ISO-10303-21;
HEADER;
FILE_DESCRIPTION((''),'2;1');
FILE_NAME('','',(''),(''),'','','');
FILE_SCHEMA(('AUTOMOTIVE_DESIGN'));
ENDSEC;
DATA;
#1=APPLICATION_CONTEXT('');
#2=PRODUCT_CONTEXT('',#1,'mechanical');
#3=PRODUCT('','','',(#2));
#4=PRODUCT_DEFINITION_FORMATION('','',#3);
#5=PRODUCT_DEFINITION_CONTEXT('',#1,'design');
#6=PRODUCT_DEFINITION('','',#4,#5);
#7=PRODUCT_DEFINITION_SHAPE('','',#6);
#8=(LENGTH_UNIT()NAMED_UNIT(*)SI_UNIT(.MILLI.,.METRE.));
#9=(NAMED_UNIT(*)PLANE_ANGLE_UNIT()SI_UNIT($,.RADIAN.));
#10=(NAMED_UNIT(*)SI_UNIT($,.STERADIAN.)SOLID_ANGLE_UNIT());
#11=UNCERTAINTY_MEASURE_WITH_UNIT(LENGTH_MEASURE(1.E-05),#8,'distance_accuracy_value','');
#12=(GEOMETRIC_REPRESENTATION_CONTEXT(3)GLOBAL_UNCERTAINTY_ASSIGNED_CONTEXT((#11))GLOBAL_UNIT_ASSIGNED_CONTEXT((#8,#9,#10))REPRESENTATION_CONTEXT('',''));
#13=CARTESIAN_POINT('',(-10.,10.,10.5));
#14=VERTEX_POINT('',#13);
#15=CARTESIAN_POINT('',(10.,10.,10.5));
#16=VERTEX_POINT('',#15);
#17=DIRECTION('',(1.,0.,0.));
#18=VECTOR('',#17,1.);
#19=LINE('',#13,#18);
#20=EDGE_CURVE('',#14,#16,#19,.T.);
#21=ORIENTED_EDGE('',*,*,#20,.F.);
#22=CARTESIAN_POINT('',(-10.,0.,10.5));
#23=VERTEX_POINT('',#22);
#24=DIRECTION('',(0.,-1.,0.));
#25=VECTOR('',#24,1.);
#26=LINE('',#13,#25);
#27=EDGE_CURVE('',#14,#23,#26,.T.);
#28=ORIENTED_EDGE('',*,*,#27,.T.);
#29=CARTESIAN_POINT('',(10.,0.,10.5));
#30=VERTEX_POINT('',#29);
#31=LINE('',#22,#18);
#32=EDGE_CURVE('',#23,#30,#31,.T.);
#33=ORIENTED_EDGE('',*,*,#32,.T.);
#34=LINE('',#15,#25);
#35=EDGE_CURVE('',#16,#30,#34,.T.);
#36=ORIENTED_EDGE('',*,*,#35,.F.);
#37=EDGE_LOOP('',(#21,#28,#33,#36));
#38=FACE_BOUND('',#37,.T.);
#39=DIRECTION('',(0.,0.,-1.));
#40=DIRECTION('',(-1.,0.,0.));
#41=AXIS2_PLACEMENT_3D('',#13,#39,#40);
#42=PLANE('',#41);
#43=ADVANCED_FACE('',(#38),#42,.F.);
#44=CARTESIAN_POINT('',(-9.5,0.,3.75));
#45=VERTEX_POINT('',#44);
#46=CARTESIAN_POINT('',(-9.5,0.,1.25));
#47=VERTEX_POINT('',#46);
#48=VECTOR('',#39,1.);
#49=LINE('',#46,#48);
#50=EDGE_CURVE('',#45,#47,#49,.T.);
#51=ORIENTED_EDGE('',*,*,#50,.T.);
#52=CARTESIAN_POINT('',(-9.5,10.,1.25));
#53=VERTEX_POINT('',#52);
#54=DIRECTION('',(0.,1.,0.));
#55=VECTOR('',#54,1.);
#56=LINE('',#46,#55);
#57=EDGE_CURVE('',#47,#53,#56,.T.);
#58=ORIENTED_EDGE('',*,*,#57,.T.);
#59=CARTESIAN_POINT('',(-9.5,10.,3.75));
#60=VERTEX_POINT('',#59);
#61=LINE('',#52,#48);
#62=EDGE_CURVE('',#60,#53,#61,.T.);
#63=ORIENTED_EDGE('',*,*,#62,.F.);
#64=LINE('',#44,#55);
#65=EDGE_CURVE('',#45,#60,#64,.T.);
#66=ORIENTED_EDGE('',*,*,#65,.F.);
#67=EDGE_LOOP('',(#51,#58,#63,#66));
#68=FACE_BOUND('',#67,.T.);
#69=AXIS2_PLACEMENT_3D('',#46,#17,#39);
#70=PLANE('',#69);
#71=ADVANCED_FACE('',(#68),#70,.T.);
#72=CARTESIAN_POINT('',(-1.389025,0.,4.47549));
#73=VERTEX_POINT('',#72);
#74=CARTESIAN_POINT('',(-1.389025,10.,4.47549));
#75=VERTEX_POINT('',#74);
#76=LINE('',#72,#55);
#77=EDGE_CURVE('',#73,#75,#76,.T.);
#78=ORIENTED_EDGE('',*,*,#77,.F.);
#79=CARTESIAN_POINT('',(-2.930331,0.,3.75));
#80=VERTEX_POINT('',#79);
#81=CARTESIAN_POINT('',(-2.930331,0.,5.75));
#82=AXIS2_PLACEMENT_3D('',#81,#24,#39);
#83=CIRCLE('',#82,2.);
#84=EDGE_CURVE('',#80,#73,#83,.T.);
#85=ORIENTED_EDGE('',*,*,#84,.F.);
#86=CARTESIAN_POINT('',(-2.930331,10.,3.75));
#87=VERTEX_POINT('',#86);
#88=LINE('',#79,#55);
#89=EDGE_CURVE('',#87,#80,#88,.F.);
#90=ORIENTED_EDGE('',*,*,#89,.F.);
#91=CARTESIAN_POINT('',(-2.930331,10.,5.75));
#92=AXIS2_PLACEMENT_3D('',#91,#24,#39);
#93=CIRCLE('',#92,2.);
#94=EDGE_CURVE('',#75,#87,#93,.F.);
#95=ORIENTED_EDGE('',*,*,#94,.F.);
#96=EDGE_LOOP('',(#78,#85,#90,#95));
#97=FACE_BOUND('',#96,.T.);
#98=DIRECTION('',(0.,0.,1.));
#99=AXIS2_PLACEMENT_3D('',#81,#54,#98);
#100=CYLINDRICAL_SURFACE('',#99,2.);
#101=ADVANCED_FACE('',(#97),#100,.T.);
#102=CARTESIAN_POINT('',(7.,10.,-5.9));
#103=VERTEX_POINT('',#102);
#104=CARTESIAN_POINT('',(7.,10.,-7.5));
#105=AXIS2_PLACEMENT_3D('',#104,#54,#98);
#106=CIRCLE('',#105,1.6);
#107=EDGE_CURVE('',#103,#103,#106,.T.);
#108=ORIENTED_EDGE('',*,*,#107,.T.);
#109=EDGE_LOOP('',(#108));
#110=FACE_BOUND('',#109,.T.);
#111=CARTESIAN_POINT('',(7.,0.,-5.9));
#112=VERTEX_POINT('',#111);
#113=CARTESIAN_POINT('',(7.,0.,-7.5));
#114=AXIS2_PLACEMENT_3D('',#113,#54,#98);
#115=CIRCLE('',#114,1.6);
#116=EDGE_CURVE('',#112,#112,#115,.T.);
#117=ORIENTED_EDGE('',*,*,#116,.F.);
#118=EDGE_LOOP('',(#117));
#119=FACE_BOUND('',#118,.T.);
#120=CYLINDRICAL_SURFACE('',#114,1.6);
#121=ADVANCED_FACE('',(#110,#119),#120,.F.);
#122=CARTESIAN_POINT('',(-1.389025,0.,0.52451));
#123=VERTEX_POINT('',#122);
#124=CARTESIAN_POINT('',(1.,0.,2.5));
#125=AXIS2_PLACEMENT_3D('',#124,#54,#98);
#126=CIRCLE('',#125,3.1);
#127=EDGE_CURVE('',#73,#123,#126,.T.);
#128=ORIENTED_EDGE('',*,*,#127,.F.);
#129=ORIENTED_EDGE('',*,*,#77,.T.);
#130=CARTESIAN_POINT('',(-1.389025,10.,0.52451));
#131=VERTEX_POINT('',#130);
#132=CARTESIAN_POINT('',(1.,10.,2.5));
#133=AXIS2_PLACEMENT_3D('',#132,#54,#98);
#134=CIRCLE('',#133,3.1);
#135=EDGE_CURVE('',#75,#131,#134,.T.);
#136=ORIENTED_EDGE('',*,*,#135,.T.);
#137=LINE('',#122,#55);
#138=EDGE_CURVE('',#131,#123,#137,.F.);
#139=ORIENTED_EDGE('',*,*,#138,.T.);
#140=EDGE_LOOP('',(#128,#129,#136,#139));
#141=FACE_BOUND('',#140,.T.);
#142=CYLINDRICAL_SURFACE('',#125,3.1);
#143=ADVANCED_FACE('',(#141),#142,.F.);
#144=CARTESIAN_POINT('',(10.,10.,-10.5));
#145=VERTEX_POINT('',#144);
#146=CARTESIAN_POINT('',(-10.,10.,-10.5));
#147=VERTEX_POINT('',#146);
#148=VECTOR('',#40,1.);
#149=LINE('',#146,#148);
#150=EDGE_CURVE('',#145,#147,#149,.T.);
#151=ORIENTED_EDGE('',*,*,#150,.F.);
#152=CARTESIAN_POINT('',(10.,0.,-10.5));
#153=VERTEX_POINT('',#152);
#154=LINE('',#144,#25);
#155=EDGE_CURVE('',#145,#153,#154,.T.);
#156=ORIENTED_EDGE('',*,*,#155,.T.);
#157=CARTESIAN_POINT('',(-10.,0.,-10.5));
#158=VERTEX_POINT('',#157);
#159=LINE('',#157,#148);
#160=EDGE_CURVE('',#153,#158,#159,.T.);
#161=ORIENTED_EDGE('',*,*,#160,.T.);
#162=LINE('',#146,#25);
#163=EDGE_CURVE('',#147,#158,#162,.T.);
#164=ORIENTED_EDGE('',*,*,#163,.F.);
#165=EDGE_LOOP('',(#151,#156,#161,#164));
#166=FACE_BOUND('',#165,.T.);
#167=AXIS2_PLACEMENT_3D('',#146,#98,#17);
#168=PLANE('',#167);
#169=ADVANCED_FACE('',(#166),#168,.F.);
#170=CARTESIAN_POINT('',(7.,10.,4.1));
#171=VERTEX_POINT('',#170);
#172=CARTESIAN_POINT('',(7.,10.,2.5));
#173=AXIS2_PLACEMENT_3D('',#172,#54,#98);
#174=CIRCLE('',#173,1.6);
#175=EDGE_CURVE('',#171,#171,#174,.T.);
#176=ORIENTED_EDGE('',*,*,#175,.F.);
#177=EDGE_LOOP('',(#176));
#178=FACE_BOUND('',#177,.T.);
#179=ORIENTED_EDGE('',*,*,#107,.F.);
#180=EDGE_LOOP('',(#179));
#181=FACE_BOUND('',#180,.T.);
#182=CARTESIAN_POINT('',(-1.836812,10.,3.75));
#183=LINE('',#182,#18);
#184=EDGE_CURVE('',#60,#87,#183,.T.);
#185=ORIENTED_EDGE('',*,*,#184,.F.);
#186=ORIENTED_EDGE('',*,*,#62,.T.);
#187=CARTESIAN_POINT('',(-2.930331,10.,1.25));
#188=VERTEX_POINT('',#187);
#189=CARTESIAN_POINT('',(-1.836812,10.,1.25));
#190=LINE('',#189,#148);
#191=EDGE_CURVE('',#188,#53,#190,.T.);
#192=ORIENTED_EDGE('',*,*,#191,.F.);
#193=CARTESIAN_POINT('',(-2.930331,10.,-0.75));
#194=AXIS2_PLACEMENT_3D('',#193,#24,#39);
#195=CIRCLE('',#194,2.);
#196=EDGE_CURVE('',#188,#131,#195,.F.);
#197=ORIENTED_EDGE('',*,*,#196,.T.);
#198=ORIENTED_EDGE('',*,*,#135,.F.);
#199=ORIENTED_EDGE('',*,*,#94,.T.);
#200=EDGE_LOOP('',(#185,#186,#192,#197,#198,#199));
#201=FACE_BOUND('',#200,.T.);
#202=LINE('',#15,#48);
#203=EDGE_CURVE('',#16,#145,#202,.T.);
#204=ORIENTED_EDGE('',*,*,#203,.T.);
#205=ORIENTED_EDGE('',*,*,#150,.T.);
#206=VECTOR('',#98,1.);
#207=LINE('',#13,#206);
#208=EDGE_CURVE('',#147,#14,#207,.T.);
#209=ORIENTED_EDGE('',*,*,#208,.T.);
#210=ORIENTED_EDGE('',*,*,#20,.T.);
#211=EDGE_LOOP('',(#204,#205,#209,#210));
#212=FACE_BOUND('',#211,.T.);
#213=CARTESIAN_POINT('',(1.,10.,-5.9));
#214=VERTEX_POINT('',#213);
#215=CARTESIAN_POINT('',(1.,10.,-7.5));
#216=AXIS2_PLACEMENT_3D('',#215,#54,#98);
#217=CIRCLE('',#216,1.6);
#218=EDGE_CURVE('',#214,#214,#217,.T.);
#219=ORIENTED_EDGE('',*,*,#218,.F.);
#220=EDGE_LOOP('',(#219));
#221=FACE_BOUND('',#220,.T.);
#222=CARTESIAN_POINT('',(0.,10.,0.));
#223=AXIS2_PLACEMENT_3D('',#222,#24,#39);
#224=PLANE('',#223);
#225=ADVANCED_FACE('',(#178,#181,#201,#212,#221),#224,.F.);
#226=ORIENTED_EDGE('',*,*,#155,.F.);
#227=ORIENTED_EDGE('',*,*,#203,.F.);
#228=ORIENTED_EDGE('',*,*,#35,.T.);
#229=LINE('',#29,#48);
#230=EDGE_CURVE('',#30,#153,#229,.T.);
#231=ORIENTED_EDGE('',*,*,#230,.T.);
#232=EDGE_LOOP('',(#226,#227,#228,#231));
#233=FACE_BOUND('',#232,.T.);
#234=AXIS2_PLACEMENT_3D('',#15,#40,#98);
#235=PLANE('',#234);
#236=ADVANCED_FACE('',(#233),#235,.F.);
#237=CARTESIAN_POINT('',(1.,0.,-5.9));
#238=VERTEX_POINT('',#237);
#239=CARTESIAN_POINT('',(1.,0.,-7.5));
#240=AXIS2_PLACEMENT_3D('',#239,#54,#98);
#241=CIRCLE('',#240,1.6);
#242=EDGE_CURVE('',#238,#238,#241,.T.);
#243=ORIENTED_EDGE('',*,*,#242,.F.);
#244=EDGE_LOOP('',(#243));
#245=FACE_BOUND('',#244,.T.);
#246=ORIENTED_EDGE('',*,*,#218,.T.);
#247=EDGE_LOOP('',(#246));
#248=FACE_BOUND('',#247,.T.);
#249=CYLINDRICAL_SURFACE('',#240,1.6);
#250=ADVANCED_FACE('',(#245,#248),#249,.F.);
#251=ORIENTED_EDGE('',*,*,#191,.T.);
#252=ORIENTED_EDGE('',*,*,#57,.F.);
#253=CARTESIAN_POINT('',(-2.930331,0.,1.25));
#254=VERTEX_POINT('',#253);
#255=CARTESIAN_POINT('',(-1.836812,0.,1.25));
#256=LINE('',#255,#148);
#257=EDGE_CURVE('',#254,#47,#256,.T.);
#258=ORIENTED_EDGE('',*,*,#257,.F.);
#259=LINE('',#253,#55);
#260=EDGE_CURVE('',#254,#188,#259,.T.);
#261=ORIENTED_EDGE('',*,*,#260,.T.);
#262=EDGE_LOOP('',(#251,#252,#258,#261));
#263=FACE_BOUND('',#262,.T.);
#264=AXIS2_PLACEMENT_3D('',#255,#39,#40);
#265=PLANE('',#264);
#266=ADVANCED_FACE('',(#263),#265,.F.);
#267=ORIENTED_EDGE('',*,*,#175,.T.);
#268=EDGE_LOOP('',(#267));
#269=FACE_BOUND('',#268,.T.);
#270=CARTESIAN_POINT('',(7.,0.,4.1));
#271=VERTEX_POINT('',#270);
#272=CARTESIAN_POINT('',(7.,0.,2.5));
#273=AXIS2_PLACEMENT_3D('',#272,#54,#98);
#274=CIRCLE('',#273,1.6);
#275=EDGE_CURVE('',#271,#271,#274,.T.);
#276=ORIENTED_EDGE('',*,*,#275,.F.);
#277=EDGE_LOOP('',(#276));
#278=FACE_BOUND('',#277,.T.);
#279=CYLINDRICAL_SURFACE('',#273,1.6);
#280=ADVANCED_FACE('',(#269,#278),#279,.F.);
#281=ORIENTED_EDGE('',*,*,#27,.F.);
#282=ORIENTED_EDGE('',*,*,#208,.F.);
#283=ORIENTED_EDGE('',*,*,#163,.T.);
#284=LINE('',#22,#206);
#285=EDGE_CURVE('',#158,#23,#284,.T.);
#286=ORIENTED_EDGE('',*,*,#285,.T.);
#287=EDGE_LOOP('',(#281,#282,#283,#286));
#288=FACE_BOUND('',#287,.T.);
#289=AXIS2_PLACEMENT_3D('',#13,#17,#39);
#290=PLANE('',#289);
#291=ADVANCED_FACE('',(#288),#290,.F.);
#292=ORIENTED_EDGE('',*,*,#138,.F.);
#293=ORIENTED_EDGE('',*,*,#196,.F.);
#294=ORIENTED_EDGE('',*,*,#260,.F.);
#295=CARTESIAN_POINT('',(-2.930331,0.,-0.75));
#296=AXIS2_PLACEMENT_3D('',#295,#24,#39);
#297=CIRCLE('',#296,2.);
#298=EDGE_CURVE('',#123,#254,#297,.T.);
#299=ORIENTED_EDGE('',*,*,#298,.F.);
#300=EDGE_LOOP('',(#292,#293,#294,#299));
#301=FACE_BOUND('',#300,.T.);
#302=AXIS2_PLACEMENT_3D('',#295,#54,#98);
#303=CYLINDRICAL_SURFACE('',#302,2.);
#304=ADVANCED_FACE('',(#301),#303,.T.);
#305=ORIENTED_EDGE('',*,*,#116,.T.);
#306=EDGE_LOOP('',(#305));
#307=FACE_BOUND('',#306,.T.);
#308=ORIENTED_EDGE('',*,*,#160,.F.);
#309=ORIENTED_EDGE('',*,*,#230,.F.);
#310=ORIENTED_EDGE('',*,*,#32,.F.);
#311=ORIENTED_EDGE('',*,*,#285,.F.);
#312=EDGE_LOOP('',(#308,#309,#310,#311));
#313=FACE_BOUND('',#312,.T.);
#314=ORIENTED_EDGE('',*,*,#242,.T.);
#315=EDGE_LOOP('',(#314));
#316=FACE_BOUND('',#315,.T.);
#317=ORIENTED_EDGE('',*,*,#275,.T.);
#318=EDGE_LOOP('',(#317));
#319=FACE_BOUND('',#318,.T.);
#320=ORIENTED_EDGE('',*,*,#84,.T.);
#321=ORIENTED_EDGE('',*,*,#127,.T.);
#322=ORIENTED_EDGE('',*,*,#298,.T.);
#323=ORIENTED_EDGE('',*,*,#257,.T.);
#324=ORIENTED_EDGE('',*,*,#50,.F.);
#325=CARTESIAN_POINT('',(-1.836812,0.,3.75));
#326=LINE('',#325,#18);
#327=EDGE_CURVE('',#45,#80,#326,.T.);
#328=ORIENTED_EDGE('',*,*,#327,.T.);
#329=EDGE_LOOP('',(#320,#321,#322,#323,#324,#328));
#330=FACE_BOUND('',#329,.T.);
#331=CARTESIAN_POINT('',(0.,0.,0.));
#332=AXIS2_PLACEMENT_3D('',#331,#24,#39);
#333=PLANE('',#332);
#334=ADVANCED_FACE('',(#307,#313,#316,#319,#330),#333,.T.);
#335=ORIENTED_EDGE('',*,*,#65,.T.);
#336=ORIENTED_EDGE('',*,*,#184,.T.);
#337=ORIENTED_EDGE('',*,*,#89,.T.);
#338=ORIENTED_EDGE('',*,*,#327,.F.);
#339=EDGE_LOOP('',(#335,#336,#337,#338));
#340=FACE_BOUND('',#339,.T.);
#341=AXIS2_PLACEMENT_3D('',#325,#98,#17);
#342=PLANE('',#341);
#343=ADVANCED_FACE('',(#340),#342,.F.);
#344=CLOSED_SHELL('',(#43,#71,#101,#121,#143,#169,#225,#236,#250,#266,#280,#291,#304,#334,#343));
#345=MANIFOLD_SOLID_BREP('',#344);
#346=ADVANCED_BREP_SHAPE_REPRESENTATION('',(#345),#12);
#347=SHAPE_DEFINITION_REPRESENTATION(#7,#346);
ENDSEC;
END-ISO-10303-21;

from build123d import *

# Parameters (mm, degrees)
SKETCH_1_W          = 20
SKETCH_1_H          = 21
EXTRUDE_1_DEPTH     = 10
CUT_EXTRUDE_1_DEPTH = 18.613914954
FILLET_2_R          = 2
SKETCH_3_R          = 1.6
CUT_EXTRUDE_2_DEPTH = 18.613914954
SKETCH_4_W          = 0.5
SKETCH_4_H          = 2.5
EXTRUDE_2_DEPTH     = 10


with BuildPart() as part:
    # 草图1 → 凸台-拉伸1 (new body)
    with BuildSketch(Plane(origin=(0, 0, 0), x_dir=(1, 0, 0), z_dir=(0, 1, 0))):
        Rectangle(SKETCH_1_W, SKETCH_1_H)
    extrude(amount=EXTRUDE_1_DEPTH)

    # 草图2 → 切除-拉伸1 (cut, through all)
    with BuildSketch(Plane(origin=(0, 10, 0), x_dir=(1, 0, 0), z_dir=(0, 1, 0))):
        with BuildLine():
            Line((-1.836811591, -1.25), (-10, -1.25))
            Line((-10, -1.25), (-10, -3.75))
            Line((-10, -3.75), (-1.836811591, -3.75))
            ThreePointArc((-1.836811591, -3.75), (4.1, -2.5), (-1.836811591, -1.25))
        make_face()
    extrude(amount=-CUT_EXTRUDE_1_DEPTH, mode=Mode.SUBTRACT)

    # 圆角2
    fillet_2_edges = [part.edges().sort_by_distance(p)[0] for p in [
        (-1.836811591, 5, 1.25),
        (-1.836811591, 5, 3.75),
    ]]
    fillet(fillet_2_edges, radius=FILLET_2_R)

    # 草图3 → 切除-拉伸2 (cut, through all)
    with BuildSketch(Plane(origin=(0, 10, 0), x_dir=(1, 0, 0), z_dir=(0, 1, 0))):
        with Locations(Location((1, 7.5, 0), (0, 0, 270))):
            Circle(SKETCH_3_R)
        with Locations(Location((7, 7.5, 0), (0, 0, 270))):
            Circle(SKETCH_3_R)
        with Locations(Location((7, -2.5, 0), (0, 0, 270))):
            Circle(SKETCH_3_R)
    extrude(amount=-CUT_EXTRUDE_2_DEPTH, mode=Mode.SUBTRACT)

    # 草图4 → 凸台-拉伸2 (add)
    with BuildSketch(Plane(origin=(0, 10, 0), x_dir=(1, 0, 0), z_dir=(0, 1, 0))):
        with Locations((-9.75, -2.5)):
            Rectangle(SKETCH_4_W, SKETCH_4_H)
    extrude(amount=-EXTRUDE_2_DEPTH)


solid = part.part
